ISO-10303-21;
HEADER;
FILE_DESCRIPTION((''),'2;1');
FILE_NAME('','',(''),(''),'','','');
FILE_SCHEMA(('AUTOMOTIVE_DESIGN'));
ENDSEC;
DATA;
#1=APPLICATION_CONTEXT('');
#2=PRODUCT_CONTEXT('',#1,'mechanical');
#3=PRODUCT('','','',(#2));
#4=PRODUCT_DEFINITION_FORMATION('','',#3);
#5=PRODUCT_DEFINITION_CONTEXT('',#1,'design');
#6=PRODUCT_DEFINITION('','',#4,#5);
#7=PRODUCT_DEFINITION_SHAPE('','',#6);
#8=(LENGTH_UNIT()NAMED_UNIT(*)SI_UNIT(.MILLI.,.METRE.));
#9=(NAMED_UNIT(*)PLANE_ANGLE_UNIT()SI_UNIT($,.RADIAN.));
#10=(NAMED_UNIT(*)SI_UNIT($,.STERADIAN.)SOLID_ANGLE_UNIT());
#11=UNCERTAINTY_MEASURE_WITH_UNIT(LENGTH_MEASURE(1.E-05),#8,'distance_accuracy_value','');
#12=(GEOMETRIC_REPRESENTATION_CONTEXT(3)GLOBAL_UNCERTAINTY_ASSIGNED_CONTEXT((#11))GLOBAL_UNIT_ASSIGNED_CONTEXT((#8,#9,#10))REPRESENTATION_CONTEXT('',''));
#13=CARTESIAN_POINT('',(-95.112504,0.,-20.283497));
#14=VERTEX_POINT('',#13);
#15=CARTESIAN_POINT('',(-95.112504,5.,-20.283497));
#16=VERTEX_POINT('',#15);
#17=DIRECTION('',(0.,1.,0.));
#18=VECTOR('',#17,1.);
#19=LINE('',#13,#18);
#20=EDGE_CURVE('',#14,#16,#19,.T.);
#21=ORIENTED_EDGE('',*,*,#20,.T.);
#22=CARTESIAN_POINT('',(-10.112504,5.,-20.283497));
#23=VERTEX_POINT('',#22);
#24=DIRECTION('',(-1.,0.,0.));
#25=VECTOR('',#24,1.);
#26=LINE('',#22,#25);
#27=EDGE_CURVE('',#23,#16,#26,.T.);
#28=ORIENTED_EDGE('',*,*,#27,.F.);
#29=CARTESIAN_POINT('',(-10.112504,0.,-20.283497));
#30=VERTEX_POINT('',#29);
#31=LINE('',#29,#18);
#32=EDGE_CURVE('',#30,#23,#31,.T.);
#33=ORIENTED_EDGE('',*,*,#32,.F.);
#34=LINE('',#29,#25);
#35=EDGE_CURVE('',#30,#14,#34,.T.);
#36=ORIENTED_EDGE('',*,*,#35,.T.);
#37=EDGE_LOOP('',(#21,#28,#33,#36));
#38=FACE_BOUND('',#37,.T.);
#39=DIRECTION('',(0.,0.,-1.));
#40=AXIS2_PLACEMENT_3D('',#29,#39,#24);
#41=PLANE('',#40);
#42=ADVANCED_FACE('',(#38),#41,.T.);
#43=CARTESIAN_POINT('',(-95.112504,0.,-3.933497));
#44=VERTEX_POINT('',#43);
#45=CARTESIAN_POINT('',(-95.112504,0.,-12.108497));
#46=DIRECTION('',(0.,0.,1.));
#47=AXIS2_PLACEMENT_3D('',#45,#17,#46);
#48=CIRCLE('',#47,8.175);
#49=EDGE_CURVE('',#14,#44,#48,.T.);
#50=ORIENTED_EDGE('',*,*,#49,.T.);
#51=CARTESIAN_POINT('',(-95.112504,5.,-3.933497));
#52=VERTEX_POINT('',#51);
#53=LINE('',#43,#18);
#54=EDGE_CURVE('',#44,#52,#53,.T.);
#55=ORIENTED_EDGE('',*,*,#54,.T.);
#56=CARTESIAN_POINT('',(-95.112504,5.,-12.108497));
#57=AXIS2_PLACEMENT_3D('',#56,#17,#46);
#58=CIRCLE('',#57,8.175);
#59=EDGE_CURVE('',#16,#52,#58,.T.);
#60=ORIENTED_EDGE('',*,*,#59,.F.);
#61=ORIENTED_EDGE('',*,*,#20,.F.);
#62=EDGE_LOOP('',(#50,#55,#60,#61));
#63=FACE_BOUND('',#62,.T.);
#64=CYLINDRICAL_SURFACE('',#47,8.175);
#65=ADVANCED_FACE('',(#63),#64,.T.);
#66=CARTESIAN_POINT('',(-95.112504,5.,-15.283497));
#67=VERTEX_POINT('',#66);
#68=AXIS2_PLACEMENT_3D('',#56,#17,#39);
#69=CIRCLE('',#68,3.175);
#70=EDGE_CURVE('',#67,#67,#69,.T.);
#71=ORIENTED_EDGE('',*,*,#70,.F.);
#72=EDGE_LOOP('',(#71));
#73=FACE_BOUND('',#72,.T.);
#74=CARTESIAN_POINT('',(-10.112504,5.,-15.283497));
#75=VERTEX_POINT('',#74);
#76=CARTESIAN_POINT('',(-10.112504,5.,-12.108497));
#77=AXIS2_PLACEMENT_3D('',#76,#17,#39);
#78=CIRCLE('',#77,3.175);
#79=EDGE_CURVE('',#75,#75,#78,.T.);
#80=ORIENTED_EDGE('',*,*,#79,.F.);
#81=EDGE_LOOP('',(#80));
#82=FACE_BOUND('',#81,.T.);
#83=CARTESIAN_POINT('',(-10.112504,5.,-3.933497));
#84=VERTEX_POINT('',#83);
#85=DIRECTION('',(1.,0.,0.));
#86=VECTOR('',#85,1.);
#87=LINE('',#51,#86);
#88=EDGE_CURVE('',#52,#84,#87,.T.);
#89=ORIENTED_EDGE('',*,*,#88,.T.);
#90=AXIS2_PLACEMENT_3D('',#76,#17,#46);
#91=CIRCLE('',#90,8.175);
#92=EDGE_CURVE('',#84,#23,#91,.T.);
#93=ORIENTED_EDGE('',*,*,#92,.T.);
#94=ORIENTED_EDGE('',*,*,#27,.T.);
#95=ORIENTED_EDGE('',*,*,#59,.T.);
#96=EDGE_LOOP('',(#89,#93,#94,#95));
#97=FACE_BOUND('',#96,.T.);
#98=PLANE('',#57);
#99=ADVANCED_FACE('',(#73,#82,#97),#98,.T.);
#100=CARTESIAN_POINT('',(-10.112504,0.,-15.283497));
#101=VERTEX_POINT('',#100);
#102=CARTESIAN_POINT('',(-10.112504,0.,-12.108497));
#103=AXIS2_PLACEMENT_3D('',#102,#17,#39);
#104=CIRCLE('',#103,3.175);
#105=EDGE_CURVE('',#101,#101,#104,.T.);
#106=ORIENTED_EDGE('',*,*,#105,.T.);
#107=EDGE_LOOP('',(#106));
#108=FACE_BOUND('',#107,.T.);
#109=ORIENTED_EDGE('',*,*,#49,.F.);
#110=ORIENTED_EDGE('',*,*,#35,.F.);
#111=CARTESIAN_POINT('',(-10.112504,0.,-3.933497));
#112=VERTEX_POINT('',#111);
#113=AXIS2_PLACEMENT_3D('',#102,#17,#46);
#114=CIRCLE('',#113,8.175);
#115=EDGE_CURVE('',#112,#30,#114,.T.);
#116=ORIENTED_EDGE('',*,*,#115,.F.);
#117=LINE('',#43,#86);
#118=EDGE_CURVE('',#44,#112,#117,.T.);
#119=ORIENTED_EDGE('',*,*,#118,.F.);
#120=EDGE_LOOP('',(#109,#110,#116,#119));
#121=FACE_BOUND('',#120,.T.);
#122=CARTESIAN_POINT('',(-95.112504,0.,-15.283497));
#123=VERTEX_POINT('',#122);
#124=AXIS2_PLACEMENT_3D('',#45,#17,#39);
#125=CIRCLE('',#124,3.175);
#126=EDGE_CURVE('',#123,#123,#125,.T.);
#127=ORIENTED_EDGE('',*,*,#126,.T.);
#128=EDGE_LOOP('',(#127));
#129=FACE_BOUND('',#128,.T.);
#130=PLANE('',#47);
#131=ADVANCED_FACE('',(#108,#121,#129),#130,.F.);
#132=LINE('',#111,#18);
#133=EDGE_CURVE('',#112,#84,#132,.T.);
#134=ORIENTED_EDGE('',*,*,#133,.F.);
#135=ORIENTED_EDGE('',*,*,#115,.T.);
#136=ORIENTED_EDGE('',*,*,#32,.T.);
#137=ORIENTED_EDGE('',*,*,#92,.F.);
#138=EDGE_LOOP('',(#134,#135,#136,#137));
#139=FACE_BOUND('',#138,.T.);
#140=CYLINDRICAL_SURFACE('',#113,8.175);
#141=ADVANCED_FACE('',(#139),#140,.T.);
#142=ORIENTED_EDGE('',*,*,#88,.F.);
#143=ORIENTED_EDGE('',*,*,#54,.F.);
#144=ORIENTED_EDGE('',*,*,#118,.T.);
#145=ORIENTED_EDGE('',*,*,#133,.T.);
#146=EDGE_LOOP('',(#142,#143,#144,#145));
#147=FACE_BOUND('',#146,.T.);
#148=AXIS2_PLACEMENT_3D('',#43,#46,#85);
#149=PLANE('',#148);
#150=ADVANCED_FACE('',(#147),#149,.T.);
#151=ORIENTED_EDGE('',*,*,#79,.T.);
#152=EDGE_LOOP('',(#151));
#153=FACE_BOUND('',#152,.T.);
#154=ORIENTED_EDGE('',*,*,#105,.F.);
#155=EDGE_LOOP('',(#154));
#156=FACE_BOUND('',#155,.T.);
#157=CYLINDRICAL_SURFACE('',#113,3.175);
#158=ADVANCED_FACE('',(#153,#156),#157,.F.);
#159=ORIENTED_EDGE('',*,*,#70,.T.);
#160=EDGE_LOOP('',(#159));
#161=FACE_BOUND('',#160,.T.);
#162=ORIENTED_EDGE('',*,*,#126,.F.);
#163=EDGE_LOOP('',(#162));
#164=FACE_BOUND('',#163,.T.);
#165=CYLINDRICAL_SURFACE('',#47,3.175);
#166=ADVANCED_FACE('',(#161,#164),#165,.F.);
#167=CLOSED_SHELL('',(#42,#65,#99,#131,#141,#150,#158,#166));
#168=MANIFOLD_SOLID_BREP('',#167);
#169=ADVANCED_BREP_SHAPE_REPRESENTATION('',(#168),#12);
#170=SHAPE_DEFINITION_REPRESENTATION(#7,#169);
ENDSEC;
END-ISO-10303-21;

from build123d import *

# Parameters (mm, degrees)
SKETCH1_R           = 3.175
BOSS_EXTRUDE1_DEPTH = 5


with BuildPart() as part:
    # Sketch1 → Boss-Extrude1 (new body)
    with BuildSketch(Plane(origin=(0, 5, 0), x_dir=(1, 0, 0), z_dir=(0, 1, 0))):
        with BuildLine():
            Line((-95.112504269, 3.933497355), (-10.112504269, 3.933497355))
            ThreePointArc((-10.112504269, 3.933497355), (-1.937504269, 12.108497355), (-10.112504269, 20.283497355))
            Line((-10.112504269, 20.283497355), (-95.112504269, 20.283497355))
            ThreePointArc((-95.112504269, 20.283497355), (-103.287504269, 12.108497355), (-95.112504269, 3.933497355))
        make_face()
        with Locations(Location((-95.112504269, 12.108497355, 0), (0, 0, 90))):
            Circle(SKETCH1_R, mode=Mode.SUBTRACT)
        with Locations(Location((-10.112504269, 12.108497355, 0), (0, 0, 90))):
            Circle(SKETCH1_R, mode=Mode.SUBTRACT)
    extrude(amount=-BOSS_EXTRUDE1_DEPTH)


solid = part.part
